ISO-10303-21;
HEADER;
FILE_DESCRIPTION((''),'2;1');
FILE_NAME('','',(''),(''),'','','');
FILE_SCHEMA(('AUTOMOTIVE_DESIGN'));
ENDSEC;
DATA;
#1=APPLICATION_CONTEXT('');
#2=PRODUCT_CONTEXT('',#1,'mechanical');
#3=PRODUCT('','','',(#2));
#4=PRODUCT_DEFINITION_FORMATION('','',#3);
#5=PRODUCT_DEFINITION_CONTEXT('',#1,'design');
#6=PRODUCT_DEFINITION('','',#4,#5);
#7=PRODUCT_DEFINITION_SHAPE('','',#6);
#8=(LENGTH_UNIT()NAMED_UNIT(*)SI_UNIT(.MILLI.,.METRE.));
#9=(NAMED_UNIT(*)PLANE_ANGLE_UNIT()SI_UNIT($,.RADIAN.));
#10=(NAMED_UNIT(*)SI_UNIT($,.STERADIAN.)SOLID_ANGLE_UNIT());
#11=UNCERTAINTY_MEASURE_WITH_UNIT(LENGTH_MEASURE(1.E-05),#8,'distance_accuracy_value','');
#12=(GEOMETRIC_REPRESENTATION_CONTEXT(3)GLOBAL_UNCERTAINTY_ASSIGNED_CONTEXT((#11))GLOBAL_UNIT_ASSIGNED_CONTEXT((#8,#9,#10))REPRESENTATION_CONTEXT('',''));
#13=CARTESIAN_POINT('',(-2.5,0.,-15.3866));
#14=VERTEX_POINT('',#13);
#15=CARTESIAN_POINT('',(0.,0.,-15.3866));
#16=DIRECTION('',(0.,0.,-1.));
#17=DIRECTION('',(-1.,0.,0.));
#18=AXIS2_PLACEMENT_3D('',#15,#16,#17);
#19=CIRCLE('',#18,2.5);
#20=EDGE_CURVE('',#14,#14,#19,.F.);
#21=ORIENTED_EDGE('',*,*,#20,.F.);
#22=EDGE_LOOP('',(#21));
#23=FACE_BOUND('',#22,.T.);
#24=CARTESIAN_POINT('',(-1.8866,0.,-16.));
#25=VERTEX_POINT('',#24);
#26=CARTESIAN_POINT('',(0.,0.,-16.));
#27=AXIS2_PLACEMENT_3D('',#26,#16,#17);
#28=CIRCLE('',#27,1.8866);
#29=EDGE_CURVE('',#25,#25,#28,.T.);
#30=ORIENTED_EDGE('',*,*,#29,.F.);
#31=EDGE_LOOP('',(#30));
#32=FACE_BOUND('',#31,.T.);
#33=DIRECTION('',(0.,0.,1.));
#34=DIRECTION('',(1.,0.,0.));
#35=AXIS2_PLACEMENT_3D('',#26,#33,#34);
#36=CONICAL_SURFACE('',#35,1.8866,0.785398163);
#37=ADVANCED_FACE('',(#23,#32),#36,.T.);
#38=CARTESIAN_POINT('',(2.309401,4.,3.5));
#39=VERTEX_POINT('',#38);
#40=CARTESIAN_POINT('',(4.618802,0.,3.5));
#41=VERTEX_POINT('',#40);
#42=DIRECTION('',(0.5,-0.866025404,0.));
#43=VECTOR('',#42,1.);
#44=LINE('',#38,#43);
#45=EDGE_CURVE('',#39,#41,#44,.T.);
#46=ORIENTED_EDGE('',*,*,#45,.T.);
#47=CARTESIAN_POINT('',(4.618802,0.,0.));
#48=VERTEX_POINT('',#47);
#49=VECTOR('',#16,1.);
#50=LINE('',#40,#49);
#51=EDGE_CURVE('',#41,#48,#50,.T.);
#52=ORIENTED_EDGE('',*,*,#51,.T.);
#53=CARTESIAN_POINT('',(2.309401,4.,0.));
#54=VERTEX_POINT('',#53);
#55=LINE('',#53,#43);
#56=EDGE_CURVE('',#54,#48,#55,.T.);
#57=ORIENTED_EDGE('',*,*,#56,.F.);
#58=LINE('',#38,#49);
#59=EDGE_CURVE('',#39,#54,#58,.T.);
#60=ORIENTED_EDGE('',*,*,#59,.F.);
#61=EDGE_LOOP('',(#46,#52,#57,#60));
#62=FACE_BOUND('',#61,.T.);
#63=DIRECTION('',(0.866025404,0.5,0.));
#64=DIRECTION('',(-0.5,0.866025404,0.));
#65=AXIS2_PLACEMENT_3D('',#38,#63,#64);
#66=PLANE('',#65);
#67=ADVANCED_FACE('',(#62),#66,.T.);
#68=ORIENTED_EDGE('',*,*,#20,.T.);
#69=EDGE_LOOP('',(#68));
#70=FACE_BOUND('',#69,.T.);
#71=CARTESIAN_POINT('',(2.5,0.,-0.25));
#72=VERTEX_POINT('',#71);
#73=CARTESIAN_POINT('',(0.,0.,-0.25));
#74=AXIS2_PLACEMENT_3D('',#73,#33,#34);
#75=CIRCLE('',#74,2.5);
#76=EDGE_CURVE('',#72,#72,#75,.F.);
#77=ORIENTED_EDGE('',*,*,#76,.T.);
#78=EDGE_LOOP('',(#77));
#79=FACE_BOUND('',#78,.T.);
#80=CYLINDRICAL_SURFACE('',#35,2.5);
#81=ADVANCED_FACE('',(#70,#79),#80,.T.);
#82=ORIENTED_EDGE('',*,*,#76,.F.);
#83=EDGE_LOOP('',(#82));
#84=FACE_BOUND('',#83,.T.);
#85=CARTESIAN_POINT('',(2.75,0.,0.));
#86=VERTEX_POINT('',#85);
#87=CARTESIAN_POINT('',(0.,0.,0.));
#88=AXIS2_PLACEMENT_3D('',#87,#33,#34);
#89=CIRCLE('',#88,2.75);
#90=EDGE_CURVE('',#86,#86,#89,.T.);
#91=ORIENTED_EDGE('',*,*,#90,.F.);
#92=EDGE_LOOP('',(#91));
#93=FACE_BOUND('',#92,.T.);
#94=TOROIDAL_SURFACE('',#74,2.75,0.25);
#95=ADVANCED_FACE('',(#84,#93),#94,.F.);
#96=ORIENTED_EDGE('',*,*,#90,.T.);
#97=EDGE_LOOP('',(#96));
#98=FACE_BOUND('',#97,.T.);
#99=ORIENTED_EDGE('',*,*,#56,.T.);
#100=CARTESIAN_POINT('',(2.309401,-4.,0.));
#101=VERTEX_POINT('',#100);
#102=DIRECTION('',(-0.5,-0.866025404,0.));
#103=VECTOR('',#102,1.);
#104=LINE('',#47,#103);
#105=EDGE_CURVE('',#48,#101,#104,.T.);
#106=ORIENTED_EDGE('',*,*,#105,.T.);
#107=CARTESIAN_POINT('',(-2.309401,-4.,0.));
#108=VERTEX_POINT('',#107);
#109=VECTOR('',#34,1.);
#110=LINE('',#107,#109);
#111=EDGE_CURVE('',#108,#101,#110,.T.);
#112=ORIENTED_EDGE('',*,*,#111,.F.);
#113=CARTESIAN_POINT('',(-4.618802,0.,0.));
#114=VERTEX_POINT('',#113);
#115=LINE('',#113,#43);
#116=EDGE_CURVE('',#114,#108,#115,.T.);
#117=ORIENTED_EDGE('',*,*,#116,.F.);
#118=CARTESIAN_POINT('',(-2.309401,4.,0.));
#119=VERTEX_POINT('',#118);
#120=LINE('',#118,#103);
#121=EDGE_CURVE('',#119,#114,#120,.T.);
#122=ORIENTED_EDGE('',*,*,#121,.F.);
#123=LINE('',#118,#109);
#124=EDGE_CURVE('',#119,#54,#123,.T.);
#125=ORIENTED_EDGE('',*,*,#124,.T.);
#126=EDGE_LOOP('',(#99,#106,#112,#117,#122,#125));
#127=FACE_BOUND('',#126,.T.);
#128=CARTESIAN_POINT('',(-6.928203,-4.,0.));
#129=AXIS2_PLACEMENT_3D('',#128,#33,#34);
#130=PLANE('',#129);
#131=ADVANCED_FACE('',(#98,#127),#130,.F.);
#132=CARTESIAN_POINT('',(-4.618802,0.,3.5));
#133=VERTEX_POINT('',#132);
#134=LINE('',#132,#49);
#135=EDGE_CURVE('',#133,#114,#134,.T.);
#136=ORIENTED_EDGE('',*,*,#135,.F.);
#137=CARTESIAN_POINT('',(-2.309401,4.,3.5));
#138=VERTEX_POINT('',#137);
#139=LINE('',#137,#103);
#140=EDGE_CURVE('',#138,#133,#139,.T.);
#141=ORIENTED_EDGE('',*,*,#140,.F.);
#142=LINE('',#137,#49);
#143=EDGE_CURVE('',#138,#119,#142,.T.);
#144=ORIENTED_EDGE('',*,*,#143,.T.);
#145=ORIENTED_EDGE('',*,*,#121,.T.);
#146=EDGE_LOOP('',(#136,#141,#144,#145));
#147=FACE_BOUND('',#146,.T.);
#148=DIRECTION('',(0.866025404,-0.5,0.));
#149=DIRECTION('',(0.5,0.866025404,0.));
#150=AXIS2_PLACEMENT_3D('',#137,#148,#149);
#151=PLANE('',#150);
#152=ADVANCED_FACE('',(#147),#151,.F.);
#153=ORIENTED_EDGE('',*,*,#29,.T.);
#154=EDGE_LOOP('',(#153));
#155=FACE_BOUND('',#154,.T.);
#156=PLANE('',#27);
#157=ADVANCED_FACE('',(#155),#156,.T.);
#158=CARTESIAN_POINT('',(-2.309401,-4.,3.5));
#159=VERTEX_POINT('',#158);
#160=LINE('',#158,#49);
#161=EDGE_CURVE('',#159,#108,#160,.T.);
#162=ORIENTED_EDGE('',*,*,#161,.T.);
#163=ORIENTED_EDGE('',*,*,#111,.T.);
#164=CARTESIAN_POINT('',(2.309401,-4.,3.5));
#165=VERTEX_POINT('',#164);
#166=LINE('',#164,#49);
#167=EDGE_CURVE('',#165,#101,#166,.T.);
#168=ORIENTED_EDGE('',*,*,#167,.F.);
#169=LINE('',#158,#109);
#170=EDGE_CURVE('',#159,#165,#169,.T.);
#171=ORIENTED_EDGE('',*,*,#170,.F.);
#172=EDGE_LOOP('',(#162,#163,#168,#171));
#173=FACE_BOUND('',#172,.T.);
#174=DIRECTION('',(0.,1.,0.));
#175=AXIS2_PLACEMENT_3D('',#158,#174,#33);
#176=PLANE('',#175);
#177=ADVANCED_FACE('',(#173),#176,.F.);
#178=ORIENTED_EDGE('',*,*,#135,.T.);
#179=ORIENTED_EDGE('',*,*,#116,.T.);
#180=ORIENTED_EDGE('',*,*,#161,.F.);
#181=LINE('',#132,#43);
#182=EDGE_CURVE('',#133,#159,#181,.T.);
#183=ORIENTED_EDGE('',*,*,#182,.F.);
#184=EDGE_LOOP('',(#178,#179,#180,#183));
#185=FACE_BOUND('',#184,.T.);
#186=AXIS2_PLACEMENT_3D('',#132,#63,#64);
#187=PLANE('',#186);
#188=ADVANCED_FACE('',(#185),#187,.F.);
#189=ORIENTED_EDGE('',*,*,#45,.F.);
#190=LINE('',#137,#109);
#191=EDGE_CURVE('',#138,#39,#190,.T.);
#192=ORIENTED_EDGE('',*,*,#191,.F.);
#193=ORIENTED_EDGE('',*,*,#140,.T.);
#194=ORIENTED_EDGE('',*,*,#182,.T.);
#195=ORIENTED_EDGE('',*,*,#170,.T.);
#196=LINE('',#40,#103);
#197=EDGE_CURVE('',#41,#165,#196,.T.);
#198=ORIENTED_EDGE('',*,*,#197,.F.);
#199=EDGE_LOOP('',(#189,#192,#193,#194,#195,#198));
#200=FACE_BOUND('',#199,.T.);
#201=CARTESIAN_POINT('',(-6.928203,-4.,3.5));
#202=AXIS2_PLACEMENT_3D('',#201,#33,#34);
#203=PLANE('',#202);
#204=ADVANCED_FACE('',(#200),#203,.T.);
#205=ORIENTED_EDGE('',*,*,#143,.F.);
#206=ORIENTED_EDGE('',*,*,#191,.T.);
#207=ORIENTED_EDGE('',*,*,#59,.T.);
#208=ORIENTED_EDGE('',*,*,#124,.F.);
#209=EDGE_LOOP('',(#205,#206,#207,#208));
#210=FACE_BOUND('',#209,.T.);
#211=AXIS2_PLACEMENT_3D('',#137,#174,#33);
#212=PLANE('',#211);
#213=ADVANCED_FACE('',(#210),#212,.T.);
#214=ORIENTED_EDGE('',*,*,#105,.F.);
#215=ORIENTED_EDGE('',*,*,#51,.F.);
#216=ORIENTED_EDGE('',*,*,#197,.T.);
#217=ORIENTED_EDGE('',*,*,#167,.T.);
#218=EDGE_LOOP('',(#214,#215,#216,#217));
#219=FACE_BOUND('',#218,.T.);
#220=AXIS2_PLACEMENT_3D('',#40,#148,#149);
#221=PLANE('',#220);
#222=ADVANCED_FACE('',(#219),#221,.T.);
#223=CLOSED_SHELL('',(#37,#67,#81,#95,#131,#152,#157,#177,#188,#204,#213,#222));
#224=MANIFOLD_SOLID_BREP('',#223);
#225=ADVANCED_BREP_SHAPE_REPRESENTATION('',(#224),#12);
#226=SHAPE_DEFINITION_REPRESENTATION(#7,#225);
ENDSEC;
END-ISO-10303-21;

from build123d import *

# Parameters (mm, degrees)
BASE_EXTRUDE_DEPTH  = 3.5
SKETCH3_R           = 2.5
BOSS_EXTRUDE1_DEPTH = 16
CHAMFER1_SIZE       = 0.6134
FILLET1_R           = 0.25


with BuildPart() as part:
    # Sketch1 → Base-Extrude (new body)
    with BuildSketch(Plane.XY):
        Polygon((-2.309401077, 4), (2.309401077, 4), (4.618802154, 0), (2.309401077, -4), (-2.309401077, -4), (-4.618802154, 0), align=None)
    extrude(amount=BASE_EXTRUDE_DEPTH)

    # Sketch3 → Boss-Extrude1 (add)
    with BuildSketch(Plane(origin=(0, 0, 0), x_dir=(-1, 0, 0), z_dir=(0, 0, -1))):
        with Locations(Location((0, 0, 0), (0, 0, 180))):
            Circle(SKETCH3_R)
    extrude(amount=BOSS_EXTRUDE1_DEPTH)

    # Chamfer1
    chamfer1_edges = [part.edges().sort_by_distance(p)[0] for p in [
        (-2.5, 0, -16),
    ]]
    chamfer(chamfer1_edges, length=CHAMFER1_SIZE)

    # Fillet1
    fillet1_edges = [part.edges().sort_by_distance(p)[0] for p in [
        (-2.5, 0, 0),
    ]]
    fillet(fillet1_edges, radius=FILLET1_R)


solid = part.part
